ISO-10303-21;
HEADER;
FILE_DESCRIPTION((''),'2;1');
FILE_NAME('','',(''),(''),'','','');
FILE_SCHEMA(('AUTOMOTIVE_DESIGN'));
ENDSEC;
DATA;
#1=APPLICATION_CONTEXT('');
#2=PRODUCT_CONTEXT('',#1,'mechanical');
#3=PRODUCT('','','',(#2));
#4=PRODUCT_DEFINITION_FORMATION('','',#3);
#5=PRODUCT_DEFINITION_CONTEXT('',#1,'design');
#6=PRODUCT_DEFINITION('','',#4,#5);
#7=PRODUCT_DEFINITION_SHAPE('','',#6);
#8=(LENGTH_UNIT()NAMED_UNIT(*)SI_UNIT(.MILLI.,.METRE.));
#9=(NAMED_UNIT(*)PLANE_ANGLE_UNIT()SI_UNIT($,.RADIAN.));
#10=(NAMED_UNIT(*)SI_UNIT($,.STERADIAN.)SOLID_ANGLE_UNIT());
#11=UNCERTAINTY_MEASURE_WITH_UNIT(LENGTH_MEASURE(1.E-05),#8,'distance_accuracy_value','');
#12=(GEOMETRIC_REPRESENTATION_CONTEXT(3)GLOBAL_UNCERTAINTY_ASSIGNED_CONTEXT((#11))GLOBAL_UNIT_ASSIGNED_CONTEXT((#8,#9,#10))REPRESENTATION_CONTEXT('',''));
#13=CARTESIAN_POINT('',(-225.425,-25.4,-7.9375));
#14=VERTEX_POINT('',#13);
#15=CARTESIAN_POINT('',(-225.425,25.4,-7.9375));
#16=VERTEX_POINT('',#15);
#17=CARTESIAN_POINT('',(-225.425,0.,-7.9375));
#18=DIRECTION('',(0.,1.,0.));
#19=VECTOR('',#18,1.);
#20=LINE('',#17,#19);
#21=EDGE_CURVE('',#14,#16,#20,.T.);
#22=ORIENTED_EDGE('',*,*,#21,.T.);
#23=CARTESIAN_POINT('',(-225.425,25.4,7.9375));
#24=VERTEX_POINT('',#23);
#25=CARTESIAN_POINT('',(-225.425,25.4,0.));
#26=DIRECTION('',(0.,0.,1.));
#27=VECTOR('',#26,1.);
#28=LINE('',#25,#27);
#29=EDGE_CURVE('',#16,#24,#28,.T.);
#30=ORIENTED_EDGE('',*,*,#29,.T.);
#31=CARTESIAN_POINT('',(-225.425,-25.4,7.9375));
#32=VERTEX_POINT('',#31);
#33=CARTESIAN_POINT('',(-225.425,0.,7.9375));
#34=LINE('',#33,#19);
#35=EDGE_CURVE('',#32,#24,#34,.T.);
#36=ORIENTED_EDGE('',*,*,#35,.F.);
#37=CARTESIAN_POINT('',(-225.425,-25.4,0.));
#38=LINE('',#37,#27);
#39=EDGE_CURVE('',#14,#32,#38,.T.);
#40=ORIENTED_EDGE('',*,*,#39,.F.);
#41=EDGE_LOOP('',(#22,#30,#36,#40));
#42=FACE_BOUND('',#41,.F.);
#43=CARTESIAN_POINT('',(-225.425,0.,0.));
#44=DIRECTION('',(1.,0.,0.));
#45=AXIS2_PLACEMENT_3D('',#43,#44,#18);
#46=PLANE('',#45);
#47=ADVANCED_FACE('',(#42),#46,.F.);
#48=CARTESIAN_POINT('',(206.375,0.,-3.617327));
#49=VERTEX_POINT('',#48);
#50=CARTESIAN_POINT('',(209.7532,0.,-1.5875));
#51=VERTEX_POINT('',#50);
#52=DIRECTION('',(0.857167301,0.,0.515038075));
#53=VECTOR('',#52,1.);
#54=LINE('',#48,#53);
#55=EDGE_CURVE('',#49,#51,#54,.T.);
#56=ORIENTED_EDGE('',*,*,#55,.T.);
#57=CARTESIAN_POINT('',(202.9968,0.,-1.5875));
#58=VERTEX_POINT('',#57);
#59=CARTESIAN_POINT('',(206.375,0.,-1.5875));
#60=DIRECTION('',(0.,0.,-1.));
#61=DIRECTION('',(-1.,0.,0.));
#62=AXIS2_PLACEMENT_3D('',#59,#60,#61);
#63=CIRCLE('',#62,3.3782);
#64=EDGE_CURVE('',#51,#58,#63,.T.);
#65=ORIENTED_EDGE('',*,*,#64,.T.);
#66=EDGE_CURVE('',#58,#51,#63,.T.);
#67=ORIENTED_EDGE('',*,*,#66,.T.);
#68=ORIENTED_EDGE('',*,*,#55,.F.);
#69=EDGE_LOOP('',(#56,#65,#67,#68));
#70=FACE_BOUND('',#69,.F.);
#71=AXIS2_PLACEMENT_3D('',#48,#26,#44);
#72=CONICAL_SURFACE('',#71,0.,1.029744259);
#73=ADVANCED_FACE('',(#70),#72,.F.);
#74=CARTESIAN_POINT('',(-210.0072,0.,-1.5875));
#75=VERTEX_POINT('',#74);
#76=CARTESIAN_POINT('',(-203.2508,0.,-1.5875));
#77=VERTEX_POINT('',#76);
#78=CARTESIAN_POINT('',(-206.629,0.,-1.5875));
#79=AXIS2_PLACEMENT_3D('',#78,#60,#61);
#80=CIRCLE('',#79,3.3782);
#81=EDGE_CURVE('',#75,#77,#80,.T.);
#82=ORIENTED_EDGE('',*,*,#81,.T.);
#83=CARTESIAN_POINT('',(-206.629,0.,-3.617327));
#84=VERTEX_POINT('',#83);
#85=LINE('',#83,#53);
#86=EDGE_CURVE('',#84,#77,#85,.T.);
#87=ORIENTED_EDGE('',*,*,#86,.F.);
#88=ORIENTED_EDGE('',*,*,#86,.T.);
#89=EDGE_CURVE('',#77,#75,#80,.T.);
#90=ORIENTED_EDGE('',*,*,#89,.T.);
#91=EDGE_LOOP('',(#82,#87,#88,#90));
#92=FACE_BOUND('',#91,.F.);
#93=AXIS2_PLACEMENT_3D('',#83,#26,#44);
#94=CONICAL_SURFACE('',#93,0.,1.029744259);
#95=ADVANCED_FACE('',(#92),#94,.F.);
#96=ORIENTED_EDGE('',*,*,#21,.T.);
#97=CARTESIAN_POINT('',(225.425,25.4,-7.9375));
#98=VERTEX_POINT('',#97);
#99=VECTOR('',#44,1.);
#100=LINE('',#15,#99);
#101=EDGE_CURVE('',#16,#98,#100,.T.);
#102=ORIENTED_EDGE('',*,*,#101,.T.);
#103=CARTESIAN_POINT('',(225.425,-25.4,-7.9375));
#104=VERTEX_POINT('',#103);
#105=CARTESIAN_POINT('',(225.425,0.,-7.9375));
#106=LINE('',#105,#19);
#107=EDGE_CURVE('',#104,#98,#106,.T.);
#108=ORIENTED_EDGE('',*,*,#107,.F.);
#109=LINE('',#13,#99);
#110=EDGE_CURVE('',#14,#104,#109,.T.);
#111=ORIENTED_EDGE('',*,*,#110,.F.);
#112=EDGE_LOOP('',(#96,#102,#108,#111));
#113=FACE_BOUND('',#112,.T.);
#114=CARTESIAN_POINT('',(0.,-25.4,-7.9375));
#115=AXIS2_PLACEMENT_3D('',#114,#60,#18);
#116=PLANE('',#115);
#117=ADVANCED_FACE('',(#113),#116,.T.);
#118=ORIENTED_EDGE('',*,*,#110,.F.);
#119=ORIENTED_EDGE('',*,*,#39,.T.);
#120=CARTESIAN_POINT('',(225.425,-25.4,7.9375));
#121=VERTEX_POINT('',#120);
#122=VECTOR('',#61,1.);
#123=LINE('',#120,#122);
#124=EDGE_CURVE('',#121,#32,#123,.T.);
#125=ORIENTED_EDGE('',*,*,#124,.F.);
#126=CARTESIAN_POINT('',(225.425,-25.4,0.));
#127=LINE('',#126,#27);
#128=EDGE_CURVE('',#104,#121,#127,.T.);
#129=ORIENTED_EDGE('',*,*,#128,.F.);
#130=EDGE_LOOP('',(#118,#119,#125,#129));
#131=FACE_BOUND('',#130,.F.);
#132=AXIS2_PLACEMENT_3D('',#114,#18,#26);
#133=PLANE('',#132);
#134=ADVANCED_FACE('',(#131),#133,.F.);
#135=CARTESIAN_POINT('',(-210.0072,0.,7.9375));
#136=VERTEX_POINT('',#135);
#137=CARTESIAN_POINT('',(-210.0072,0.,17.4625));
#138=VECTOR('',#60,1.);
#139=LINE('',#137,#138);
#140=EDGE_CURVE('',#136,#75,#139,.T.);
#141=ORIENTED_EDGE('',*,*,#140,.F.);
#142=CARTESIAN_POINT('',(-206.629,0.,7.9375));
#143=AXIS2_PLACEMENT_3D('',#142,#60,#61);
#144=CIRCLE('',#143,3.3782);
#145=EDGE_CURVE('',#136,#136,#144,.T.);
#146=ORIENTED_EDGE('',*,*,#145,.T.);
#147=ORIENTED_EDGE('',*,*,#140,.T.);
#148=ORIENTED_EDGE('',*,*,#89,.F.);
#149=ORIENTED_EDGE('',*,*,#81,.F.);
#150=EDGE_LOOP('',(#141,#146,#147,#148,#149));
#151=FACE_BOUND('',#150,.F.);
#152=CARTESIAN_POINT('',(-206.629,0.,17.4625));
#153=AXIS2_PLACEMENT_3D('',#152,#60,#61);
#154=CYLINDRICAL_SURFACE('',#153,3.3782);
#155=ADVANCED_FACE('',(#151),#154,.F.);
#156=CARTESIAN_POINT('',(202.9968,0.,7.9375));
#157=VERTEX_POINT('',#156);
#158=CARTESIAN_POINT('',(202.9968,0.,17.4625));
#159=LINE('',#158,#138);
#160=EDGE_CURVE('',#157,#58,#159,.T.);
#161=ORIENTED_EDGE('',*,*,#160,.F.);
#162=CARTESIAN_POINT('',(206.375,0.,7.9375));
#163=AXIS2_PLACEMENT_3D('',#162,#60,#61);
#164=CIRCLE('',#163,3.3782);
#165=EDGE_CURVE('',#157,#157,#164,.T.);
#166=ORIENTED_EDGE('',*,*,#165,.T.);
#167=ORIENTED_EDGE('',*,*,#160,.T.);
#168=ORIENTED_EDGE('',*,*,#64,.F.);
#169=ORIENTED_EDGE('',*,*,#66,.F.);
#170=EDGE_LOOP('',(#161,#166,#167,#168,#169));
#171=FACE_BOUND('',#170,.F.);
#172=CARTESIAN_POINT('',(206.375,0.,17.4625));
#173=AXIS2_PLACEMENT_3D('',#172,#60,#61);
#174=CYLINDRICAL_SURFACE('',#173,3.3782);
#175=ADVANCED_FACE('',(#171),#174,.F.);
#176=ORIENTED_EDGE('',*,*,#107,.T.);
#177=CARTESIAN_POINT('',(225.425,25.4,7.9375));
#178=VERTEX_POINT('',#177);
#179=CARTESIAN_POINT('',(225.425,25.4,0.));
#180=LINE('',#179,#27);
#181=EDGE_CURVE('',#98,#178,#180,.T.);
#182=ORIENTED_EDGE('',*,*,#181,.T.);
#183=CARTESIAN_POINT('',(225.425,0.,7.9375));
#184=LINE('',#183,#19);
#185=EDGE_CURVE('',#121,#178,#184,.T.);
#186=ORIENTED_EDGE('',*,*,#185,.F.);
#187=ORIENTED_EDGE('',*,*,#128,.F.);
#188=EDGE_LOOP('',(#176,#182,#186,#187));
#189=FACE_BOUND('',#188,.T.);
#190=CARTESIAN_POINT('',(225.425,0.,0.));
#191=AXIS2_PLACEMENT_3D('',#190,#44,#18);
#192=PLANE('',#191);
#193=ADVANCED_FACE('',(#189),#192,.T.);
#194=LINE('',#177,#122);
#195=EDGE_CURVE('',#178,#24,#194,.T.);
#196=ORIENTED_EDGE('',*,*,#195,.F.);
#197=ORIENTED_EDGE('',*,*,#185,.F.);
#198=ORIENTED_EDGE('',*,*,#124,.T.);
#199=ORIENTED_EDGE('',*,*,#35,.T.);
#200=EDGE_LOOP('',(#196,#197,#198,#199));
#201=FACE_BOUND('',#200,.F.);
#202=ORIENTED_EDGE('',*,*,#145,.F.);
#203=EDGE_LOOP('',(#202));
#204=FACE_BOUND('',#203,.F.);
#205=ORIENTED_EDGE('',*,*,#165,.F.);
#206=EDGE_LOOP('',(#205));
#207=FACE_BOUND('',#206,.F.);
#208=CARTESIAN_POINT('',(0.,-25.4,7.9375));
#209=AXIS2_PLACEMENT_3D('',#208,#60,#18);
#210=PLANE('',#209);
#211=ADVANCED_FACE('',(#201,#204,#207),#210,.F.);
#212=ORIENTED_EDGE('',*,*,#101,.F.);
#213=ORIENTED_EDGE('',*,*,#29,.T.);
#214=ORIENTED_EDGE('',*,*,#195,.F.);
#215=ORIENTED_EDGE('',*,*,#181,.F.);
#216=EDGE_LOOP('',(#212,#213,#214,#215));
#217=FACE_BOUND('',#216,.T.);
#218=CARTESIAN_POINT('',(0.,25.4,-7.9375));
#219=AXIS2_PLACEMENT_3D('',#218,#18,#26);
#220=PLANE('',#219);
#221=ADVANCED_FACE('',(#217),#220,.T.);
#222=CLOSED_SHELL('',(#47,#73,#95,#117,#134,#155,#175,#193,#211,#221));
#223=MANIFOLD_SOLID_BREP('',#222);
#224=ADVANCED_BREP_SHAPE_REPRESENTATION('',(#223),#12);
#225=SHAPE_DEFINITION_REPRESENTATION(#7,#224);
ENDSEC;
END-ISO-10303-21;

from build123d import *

# Parameters (mm, degrees)
F0_W     = 50.8
F0_H     = 15.875
F1_DEPTH = 225.425
F3_D     = 6.7564
F3_DEPTH = 9.525
F3_TIP   = 2.0298273432


with BuildPart() as f1:
    # F0 (on Right) → F1 (new body, symmetric)
    with BuildSketch(Plane.YZ):
        Rectangle(F0_W, F0_H)
    extrude(amount=F1_DEPTH, both=True)

    # F3
    with Locations(Plane.XY.offset(7.9375)):
        with Locations((206.375, 0), (-206.629, 0)):
            Hole(F3_D / 2, depth=F3_DEPTH)
            with Locations((0, 0, -(F3_DEPTH + F3_TIP / 2))):  # 118° drill point
                Cone(0, F3_D / 2, F3_TIP, mode=Mode.SUBTRACT)


solid = f1.part
